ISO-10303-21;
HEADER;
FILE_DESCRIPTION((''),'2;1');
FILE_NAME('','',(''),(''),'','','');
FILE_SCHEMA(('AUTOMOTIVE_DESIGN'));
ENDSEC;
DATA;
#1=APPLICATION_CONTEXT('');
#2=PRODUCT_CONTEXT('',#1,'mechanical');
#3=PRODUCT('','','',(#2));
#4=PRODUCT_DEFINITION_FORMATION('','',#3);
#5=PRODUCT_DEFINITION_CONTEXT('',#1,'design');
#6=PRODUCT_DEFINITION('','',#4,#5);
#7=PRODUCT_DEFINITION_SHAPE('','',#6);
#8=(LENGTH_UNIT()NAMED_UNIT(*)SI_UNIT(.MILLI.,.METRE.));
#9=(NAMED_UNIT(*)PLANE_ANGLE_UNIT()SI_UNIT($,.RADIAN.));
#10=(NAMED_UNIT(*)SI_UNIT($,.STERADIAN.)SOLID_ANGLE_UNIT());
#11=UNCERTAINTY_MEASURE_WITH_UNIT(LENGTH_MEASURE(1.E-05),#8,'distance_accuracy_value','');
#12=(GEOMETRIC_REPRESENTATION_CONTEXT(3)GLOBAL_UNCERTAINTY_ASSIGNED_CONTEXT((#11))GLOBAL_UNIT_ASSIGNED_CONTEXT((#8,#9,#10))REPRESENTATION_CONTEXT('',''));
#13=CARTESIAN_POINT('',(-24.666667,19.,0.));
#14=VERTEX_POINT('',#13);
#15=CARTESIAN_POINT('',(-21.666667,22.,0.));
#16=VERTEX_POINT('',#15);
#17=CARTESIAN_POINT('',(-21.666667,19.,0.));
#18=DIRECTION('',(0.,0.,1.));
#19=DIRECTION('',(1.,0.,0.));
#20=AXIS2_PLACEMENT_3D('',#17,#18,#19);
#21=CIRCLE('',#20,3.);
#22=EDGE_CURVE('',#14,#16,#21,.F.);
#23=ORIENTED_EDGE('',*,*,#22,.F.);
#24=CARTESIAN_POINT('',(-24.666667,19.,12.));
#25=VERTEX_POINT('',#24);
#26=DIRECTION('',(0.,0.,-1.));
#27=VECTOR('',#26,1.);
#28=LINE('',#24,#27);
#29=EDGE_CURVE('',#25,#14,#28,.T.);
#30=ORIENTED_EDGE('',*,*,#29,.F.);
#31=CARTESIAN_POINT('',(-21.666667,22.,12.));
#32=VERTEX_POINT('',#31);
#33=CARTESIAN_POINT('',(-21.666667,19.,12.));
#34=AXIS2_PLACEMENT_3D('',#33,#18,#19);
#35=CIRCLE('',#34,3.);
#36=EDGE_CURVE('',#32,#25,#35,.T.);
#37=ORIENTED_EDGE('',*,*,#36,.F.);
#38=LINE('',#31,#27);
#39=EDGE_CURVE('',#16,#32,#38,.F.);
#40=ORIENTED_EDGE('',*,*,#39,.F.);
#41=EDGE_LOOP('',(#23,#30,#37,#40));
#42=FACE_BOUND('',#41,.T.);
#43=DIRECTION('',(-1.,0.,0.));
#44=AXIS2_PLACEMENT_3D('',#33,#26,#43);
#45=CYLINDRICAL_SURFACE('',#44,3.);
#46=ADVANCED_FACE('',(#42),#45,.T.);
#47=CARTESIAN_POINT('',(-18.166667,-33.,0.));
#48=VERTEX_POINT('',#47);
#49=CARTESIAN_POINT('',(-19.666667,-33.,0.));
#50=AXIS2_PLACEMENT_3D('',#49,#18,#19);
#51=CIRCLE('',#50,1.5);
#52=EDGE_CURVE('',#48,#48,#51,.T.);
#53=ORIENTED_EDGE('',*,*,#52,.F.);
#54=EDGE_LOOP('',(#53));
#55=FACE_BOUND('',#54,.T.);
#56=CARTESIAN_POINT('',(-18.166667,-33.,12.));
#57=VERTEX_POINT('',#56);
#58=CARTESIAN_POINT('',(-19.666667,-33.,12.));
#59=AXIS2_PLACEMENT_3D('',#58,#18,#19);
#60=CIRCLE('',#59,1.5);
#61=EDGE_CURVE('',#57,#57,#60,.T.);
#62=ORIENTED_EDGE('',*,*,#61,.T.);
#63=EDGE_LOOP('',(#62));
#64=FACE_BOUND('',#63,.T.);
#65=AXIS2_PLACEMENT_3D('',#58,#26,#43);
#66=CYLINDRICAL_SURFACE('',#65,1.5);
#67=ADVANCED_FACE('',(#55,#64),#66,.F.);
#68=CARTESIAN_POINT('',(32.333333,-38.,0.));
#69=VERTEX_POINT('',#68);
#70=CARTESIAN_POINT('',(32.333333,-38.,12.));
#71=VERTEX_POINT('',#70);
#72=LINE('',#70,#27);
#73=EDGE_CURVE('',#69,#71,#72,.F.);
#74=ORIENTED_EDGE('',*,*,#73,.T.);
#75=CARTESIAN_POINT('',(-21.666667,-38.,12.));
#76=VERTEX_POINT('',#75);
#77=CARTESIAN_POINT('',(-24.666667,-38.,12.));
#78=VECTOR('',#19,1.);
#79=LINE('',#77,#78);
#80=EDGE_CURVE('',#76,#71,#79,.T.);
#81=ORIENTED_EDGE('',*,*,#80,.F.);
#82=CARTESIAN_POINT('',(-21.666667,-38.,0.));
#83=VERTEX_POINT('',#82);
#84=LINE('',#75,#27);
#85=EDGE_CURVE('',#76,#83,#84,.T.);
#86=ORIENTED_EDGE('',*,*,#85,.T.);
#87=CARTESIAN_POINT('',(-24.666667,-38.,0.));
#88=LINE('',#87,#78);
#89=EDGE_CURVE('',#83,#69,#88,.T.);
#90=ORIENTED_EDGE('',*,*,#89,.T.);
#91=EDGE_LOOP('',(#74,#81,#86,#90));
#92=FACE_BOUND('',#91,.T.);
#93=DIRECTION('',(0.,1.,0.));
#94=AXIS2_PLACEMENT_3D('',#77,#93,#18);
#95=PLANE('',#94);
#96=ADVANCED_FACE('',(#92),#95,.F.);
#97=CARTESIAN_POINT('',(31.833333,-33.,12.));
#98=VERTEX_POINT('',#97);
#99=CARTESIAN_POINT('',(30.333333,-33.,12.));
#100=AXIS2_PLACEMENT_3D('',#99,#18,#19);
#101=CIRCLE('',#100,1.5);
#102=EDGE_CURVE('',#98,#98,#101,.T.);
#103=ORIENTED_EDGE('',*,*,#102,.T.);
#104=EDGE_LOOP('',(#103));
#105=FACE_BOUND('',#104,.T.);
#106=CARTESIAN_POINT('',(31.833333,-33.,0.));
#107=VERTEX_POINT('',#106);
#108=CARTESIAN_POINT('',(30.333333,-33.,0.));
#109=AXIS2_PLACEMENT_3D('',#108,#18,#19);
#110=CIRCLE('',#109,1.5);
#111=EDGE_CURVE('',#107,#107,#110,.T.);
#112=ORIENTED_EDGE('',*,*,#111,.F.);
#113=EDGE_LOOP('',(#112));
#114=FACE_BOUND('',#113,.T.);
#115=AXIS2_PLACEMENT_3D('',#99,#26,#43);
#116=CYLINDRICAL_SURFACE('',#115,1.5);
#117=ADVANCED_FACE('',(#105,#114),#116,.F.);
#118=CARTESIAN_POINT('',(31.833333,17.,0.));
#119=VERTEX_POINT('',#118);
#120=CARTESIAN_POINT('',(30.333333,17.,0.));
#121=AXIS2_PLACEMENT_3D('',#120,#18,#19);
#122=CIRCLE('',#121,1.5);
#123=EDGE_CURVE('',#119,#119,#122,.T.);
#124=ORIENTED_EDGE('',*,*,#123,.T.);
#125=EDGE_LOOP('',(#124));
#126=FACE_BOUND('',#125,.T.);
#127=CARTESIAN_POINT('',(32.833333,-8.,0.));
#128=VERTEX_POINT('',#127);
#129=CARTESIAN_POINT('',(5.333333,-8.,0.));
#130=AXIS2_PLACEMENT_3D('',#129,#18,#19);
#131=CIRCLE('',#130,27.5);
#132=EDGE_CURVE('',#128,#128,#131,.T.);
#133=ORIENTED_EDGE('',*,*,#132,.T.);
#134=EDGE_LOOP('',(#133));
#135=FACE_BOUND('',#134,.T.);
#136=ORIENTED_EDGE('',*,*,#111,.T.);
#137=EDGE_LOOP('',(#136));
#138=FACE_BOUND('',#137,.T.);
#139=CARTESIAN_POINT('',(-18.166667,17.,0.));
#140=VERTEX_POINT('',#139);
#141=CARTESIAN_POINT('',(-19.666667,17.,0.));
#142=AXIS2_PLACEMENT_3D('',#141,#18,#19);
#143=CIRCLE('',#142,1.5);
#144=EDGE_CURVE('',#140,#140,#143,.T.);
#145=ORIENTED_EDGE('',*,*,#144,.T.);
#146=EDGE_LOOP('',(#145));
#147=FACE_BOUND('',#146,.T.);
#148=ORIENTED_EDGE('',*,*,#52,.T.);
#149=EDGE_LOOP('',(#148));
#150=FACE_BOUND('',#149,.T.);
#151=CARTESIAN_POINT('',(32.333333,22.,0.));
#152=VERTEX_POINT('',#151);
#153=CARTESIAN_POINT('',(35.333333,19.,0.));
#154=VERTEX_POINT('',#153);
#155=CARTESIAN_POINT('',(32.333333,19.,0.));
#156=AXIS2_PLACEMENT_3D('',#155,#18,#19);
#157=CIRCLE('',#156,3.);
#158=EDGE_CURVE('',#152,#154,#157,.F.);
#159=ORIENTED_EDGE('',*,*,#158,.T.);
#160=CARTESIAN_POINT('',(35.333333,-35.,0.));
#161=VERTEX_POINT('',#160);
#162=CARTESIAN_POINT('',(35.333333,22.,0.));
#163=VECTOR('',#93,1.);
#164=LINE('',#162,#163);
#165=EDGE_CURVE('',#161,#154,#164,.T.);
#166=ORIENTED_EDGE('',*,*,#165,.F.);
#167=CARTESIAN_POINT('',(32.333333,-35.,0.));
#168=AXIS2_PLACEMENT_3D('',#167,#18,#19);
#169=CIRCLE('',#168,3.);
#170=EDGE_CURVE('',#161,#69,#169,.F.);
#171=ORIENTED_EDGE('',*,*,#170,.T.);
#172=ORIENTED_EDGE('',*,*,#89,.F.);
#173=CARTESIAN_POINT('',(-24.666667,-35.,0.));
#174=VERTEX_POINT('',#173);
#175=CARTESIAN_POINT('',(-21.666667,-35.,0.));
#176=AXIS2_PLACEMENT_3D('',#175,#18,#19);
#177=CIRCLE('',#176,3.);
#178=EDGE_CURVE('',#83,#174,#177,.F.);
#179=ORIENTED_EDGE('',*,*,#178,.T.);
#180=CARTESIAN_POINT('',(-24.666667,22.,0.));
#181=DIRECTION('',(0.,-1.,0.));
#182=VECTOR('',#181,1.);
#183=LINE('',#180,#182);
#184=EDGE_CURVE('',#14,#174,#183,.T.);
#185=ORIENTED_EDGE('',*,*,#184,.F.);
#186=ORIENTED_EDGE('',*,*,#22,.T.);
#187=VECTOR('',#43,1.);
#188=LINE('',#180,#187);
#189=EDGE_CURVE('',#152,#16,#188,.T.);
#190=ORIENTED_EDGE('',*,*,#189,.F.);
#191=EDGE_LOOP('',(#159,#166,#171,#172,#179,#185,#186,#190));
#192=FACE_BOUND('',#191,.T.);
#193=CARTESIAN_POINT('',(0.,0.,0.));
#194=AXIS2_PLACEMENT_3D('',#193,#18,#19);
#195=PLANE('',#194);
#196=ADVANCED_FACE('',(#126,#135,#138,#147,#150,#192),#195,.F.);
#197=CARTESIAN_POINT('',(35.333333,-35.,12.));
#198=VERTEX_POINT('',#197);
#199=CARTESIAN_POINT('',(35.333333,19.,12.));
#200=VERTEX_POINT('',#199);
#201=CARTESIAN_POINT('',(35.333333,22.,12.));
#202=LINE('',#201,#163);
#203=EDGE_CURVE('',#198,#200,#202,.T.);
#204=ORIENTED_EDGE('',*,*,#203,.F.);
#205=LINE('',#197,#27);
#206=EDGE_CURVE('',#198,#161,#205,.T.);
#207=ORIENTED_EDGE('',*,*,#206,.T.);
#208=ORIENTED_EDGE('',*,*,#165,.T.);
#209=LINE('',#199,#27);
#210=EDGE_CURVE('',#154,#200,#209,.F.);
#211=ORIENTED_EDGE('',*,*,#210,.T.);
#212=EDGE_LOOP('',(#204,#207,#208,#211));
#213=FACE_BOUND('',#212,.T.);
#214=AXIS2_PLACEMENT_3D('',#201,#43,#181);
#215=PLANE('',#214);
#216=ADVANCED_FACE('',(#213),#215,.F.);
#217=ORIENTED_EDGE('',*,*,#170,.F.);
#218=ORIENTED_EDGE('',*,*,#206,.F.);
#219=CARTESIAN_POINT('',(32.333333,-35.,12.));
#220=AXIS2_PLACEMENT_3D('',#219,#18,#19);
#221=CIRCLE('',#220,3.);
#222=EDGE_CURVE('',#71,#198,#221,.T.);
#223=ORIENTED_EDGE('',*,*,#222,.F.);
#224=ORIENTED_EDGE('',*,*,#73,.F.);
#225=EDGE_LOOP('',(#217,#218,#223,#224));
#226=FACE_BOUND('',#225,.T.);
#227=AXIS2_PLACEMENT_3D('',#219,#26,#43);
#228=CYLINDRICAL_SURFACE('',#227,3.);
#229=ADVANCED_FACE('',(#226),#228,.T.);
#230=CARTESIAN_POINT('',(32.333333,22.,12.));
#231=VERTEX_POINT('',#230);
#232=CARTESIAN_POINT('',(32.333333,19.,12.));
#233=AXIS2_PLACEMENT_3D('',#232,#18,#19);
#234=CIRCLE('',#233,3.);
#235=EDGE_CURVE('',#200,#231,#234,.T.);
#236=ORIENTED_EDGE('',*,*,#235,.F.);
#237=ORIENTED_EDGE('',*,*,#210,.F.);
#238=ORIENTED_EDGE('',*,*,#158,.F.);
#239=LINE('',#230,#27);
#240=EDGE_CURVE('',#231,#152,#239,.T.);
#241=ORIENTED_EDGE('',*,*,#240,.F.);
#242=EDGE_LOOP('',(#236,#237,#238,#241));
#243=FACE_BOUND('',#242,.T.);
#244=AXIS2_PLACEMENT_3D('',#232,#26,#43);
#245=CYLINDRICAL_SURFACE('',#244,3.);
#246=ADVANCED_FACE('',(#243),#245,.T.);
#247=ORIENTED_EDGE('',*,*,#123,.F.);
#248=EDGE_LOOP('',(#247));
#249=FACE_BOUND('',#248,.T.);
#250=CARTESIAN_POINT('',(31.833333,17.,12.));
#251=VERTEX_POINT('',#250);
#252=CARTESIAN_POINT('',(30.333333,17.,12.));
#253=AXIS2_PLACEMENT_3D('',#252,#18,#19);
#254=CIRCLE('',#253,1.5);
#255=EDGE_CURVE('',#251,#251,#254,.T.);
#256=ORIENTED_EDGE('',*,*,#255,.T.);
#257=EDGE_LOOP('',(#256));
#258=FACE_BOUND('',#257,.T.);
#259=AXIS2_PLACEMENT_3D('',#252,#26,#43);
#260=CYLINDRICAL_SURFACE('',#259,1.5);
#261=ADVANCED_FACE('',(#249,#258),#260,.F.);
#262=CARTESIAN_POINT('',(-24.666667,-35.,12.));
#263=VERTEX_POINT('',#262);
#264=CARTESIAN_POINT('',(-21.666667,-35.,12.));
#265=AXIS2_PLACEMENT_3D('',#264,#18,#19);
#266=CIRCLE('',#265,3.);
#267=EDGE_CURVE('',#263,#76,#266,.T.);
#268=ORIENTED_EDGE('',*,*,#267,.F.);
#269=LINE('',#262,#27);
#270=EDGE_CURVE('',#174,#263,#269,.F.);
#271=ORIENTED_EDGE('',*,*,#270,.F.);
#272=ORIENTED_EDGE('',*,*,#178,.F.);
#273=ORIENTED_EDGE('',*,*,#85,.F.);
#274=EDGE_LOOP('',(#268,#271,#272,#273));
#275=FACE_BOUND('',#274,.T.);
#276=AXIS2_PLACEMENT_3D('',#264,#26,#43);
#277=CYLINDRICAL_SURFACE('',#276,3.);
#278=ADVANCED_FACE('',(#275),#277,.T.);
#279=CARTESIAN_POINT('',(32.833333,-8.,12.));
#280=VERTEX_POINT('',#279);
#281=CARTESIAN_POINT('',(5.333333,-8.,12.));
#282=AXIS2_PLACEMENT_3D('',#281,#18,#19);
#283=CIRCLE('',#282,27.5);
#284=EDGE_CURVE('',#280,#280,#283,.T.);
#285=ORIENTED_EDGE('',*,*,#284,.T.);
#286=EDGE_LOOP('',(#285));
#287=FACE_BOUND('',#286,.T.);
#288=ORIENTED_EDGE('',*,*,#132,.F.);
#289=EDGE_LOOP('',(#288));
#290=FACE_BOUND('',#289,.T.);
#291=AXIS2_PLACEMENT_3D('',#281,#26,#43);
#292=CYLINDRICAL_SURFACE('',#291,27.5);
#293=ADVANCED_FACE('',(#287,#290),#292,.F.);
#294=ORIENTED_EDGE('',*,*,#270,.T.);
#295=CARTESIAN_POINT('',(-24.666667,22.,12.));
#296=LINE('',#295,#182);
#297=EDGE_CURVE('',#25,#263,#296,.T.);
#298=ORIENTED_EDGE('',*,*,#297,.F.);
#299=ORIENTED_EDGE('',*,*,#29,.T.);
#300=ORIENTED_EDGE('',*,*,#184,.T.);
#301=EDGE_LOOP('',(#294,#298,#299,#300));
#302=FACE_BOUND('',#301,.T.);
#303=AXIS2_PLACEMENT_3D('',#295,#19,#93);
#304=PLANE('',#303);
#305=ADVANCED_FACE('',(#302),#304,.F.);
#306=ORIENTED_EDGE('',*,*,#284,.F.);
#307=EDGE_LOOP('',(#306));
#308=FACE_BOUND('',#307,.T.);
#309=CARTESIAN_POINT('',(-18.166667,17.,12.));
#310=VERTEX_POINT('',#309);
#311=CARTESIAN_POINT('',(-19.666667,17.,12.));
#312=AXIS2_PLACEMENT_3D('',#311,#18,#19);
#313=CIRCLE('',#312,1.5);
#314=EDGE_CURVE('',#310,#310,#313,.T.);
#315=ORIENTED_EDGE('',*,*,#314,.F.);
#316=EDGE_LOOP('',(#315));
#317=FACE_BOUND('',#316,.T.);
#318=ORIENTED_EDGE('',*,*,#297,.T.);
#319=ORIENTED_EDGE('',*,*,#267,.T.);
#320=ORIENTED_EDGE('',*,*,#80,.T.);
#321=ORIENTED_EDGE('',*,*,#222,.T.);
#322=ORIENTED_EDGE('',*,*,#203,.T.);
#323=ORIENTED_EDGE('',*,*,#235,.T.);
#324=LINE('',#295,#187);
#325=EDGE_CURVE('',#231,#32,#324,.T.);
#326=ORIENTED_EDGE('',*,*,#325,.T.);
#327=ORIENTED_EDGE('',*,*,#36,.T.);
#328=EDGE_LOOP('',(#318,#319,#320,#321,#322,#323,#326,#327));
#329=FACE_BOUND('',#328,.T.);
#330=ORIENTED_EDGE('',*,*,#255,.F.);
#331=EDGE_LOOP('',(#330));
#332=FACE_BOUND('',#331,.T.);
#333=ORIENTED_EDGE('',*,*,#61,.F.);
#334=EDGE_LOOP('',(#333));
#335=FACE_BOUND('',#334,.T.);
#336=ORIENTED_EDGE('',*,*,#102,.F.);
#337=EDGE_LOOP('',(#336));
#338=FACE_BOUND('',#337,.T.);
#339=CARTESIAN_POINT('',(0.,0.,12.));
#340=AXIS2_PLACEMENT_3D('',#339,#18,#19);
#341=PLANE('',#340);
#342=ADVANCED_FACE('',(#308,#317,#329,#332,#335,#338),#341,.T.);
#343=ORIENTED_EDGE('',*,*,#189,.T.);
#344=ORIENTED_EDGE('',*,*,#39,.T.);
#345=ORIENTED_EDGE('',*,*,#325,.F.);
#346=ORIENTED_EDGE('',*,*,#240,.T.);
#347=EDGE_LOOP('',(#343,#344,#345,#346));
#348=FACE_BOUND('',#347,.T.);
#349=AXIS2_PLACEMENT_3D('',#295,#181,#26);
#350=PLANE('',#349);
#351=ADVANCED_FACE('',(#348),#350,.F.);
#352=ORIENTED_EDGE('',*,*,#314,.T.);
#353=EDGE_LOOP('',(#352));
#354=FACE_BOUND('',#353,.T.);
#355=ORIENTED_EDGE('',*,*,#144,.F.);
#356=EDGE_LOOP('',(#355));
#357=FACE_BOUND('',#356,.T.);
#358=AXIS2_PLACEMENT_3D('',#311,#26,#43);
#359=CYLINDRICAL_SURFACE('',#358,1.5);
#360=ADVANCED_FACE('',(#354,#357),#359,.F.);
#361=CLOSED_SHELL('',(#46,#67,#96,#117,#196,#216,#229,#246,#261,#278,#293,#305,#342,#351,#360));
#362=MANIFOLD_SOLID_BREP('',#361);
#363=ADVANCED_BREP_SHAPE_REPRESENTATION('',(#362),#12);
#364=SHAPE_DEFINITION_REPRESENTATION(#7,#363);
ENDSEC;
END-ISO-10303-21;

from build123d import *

# Parameters (mm, degrees)
SKETCH1_W           = 60
SKETCH1_H           = 60
SKETCH1_R           = 27.5
SKETCH1_R_2         = 1.5
BOSS_EXTRUDE1_DEPTH = 12
FILLET1_R           = 3


with BuildPart() as part:
    # Sketch1 → Boss-Extrude1 (new body)
    with BuildSketch(Plane.XY):
        with Locations((5.333333333, -8)):
            Rectangle(SKETCH1_W, SKETCH1_H)
        with Locations((5.333333333, -8)):
            Circle(SKETCH1_R, mode=Mode.SUBTRACT)
        with Locations((-19.666666667, 17)):
            Circle(SKETCH1_R_2, mode=Mode.SUBTRACT)
        with Locations((30.333333333, 17)):
            Circle(SKETCH1_R_2, mode=Mode.SUBTRACT)
        with Locations((-19.666666667, -33)):
            Circle(SKETCH1_R_2, mode=Mode.SUBTRACT)
        with Locations((30.333333333, -33)):
            Circle(SKETCH1_R_2, mode=Mode.SUBTRACT)
    extrude(amount=BOSS_EXTRUDE1_DEPTH)

    # Fillet1
    fillet1_edges = [part.edges().sort_by_distance(p)[0] for p in [
        (-24.666666667, 22, 6),
        (35.333333333, 22, 6),
        (35.333333333, -38, 6),
        (-24.666666667, -38, 6),
    ]]
    fillet(fillet1_edges, radius=FILLET1_R)


solid = part.part
